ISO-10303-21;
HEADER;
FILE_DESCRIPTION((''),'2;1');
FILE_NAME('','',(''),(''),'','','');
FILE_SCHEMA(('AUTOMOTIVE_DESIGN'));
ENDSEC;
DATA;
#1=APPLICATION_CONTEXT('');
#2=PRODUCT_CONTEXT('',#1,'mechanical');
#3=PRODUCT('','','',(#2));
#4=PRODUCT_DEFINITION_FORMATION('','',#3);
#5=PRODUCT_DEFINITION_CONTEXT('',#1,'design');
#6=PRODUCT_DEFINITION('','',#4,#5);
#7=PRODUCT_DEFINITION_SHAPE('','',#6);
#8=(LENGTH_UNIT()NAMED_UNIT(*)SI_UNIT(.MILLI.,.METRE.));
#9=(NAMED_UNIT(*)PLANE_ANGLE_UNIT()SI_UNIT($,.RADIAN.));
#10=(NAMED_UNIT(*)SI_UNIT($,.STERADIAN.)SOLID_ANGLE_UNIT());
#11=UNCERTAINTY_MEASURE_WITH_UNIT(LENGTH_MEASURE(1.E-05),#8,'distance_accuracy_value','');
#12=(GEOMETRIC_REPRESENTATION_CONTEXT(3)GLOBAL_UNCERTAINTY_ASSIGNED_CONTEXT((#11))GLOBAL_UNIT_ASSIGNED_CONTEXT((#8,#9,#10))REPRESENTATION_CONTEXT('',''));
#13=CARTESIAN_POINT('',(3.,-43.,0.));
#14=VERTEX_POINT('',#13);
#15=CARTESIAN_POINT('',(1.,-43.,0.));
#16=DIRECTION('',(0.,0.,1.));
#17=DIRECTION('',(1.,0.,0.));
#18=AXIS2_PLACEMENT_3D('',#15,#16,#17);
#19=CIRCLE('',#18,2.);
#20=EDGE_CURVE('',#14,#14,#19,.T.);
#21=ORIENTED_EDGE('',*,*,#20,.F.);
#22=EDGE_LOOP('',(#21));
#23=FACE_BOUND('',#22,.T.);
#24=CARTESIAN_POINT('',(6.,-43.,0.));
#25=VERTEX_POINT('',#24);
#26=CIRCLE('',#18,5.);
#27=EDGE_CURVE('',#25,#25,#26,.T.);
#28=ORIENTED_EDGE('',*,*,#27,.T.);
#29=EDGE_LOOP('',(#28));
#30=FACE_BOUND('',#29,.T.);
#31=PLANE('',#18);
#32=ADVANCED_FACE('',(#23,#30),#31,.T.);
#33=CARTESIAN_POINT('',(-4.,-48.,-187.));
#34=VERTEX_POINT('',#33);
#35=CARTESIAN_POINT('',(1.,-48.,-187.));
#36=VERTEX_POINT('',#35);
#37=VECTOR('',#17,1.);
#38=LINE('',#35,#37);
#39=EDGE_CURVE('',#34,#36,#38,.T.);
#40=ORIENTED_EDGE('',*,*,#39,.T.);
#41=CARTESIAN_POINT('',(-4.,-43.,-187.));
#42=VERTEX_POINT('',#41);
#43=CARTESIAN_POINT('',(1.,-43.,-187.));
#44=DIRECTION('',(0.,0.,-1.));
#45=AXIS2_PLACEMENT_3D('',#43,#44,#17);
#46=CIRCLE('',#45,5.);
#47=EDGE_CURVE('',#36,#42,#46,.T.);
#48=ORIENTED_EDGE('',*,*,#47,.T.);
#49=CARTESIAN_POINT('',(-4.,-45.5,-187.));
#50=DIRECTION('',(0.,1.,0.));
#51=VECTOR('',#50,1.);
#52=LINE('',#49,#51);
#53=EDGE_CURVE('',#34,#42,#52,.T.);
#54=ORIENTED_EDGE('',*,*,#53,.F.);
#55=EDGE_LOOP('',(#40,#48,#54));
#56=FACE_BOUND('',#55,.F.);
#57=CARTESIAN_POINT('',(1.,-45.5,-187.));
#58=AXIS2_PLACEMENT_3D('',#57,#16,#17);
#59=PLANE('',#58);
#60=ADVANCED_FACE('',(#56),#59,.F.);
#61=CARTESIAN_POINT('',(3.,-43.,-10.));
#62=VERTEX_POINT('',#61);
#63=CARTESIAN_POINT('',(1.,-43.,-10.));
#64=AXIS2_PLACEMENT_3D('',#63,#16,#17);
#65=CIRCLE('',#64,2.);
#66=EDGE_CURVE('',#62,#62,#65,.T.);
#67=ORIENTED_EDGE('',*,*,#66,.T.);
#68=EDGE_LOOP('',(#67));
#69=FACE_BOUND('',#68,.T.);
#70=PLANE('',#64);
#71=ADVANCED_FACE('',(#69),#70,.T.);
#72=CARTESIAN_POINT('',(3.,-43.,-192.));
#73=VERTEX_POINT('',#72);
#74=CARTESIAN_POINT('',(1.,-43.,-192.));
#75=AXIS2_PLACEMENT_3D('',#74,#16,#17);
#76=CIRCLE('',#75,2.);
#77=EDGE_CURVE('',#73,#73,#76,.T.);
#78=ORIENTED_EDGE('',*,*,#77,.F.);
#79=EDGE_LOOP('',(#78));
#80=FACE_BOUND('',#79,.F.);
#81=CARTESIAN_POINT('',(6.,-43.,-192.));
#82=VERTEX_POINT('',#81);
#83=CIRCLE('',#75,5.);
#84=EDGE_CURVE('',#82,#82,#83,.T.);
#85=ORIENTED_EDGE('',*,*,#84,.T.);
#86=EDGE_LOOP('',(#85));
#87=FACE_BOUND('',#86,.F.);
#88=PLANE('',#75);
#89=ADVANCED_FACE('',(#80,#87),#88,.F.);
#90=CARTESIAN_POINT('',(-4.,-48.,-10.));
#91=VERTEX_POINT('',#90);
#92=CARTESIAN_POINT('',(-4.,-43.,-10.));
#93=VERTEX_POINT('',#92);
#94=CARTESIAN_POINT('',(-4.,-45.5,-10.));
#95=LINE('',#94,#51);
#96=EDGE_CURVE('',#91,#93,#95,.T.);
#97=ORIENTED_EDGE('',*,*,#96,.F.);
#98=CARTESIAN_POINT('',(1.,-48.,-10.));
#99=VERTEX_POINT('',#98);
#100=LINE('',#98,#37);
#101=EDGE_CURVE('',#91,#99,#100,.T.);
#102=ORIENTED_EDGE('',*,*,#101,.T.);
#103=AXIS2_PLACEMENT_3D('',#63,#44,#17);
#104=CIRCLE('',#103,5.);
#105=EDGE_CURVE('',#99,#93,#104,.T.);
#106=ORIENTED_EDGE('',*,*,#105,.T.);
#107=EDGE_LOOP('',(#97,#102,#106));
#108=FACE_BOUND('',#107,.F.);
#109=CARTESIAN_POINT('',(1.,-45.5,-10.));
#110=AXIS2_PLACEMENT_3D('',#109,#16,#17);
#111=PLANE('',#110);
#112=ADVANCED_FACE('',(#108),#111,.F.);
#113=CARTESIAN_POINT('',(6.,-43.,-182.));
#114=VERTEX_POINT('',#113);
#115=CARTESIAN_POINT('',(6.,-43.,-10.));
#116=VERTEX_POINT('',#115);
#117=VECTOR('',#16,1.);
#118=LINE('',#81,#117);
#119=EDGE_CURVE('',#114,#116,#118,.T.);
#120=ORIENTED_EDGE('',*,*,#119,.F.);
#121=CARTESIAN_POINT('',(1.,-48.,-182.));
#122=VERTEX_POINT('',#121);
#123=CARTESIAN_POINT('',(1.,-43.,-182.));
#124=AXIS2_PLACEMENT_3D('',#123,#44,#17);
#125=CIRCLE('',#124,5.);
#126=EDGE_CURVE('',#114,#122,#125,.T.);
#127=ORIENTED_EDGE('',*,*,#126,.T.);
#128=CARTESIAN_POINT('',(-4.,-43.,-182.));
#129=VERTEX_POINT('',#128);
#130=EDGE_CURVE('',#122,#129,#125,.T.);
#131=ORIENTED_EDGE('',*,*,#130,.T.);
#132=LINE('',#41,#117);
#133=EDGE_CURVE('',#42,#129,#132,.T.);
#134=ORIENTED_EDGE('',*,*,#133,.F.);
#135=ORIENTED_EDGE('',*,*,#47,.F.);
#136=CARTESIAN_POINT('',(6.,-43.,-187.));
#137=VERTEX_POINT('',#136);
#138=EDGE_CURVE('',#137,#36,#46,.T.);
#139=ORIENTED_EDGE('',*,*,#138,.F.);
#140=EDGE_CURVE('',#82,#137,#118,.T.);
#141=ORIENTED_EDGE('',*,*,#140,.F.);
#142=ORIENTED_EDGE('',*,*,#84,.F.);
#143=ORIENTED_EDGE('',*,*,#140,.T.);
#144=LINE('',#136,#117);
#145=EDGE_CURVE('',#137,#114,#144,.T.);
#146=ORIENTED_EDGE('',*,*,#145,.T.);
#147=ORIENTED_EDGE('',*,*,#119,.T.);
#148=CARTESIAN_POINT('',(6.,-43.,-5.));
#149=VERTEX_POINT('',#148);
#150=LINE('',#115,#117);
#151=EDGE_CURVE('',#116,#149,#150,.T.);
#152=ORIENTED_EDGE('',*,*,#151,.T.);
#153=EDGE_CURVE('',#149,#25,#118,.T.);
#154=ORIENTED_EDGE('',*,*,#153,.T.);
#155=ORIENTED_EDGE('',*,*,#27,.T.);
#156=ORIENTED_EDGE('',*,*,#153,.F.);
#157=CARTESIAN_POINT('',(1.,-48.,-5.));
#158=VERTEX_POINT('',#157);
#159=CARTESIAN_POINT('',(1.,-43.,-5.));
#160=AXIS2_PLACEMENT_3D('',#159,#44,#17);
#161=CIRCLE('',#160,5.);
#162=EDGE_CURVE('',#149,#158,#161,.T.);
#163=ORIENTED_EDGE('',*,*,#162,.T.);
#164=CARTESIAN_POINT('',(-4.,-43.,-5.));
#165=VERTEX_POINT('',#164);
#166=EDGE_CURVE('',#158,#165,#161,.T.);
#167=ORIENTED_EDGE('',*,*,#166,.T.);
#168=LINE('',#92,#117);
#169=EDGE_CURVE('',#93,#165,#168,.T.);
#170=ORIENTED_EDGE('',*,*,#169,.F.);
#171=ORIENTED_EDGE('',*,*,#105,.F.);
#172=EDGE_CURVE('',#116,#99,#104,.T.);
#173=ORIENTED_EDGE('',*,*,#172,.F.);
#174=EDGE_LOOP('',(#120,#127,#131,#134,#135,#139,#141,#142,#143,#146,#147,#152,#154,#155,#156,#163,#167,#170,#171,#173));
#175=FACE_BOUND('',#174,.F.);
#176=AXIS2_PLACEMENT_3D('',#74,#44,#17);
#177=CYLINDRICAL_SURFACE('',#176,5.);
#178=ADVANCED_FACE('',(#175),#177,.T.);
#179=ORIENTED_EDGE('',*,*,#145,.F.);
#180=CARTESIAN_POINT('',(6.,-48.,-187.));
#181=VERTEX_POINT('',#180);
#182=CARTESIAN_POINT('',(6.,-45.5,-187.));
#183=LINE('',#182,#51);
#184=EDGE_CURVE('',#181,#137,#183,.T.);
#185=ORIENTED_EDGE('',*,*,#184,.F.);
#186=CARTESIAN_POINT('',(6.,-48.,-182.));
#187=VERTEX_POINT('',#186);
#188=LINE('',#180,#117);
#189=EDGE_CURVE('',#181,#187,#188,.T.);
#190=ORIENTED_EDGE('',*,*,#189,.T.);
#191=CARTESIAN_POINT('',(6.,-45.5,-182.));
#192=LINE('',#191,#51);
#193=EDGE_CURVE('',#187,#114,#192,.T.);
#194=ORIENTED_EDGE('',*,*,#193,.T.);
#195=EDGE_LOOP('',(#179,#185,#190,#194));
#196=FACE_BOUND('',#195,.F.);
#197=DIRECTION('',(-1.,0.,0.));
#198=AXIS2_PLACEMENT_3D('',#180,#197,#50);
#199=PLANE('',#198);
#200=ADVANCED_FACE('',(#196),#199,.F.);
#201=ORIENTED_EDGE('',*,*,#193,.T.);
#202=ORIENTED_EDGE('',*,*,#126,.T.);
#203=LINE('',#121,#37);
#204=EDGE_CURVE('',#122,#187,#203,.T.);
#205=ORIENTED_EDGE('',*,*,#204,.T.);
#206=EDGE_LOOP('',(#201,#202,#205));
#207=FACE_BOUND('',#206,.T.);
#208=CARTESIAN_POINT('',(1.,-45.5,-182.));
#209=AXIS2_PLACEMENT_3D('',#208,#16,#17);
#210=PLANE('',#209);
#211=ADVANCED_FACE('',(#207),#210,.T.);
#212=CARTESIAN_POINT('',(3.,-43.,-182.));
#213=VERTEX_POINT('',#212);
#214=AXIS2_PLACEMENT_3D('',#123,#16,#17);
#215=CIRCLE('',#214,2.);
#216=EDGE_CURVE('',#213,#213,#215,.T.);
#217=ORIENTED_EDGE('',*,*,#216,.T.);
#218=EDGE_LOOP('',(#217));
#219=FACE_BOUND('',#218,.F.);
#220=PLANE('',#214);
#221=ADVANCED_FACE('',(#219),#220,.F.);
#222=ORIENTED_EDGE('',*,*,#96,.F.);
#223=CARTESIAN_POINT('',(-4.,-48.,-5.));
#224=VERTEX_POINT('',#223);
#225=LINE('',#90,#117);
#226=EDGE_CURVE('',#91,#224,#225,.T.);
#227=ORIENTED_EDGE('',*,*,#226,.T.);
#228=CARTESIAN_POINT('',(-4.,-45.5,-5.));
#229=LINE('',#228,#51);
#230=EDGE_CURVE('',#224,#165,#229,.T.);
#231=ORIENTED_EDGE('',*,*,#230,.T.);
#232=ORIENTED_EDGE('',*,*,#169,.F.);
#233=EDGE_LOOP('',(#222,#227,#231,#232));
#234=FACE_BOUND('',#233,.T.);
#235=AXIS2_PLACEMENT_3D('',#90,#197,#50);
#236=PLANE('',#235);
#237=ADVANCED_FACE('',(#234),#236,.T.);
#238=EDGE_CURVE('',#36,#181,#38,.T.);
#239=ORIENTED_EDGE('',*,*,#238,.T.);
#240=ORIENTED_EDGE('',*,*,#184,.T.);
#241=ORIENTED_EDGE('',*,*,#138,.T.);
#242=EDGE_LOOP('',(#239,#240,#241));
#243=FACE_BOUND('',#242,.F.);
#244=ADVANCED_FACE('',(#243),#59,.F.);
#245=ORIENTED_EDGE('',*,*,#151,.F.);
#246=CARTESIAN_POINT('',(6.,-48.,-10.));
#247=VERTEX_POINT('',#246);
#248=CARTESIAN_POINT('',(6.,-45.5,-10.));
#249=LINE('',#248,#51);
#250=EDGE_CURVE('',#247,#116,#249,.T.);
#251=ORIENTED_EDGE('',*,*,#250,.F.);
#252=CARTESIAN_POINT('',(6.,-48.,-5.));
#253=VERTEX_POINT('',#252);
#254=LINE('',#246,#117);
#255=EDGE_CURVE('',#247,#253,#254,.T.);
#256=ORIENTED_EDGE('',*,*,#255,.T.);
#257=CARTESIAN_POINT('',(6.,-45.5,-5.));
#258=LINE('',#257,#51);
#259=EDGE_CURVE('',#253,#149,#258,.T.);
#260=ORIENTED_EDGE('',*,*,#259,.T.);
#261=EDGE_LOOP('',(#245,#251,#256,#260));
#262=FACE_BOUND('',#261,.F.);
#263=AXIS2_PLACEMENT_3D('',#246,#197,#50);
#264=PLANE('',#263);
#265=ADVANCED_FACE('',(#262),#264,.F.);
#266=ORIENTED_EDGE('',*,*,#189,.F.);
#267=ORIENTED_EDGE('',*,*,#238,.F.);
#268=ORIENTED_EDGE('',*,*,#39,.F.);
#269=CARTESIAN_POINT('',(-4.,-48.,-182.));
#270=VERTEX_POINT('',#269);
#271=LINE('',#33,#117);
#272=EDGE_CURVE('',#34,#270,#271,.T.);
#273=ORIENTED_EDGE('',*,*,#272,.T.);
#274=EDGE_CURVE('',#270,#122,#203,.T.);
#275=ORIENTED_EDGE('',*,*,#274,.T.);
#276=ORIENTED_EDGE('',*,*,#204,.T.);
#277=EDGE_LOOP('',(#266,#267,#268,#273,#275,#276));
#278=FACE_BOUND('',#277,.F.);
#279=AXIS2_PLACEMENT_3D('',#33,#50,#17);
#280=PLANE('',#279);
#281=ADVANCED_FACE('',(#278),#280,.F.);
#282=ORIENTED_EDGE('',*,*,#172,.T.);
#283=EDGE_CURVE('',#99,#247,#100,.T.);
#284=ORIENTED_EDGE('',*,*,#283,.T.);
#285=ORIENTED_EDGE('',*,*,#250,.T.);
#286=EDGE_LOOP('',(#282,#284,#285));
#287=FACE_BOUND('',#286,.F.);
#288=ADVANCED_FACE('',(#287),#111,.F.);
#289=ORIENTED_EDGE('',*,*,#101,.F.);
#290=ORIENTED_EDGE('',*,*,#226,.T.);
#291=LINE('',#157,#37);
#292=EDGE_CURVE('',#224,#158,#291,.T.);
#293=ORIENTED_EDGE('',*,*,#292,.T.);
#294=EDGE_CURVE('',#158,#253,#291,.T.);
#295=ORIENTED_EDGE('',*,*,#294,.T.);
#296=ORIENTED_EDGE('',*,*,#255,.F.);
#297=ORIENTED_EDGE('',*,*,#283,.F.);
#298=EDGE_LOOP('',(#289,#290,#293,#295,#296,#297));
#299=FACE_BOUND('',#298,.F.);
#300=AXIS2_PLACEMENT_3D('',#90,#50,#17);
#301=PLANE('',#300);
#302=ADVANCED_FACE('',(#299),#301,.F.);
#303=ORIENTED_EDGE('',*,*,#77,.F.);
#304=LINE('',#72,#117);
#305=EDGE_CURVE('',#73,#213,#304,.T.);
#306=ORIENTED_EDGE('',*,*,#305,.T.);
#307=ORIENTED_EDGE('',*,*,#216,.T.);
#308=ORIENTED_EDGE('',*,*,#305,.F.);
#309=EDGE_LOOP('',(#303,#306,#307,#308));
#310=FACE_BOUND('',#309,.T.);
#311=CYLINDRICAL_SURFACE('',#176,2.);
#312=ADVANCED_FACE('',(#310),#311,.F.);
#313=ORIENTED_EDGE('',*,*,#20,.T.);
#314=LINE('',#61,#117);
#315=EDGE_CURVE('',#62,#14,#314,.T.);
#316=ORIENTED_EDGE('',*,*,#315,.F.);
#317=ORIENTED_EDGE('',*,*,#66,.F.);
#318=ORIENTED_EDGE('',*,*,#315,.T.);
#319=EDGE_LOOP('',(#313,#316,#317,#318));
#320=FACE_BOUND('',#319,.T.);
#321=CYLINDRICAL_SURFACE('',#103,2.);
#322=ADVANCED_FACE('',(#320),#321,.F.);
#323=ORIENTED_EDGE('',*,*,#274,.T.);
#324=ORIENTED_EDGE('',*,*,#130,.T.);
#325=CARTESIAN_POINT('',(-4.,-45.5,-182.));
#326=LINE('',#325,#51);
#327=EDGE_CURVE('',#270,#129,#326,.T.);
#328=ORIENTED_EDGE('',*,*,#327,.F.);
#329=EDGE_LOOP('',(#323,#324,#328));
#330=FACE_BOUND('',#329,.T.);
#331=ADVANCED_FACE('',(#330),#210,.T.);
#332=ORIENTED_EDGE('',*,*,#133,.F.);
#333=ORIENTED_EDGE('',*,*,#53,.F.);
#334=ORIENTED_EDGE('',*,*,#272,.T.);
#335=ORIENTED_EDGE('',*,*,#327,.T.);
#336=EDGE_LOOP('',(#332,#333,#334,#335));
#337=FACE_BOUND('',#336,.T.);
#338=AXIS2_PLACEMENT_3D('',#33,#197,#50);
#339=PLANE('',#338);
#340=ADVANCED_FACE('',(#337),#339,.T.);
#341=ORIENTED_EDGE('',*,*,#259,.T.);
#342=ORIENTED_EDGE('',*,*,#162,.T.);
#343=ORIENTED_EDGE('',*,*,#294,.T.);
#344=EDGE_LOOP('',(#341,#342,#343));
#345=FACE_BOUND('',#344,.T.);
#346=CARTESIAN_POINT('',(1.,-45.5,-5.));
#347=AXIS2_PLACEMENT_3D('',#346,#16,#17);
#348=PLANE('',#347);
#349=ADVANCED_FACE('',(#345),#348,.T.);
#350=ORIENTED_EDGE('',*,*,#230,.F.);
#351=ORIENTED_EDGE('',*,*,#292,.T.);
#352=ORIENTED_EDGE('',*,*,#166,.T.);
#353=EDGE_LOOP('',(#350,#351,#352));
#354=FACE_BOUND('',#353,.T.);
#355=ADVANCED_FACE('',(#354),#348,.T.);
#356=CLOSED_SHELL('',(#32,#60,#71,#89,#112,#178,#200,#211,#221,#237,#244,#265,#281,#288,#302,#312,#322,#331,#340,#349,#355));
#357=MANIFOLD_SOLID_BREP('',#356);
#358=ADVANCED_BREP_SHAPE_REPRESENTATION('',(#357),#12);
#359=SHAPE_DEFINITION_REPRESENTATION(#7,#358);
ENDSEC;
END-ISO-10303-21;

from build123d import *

# Parameters (mm, degrees)
CYLINDER006_R     = 5
CYLINDER006_DEPTH = 192
BOX003_W          = 10
BOX003_H          = 5
BOX003_DEPTH      = 5
BOX004_W          = 10
BOX004_H          = 5
BOX004_DEPTH      = 5
CYLINDER007_R     = 2
CYLINDER007_DEPTH = 10
CYLINDER008_R     = 2
CYLINDER008_DEPTH = 10


with BuildPart() as part:
    # Cylinder006 → Cylinder006 (join)
    with BuildSketch(Plane.XY):
        Circle(CYLINDER006_R)
    extrude(amount=CYLINDER006_DEPTH)

    # Box003 → Box003 (join)
    with BuildSketch(Plane(origin=(-5, -5, 182), x_dir=(1, 0, 0), z_dir=(0, 0, 1))):
        with Locations((5, 2.5)):
            Rectangle(BOX003_W, BOX003_H)
    extrude(amount=BOX003_DEPTH)

    # Box004 → Box004 (join)
    with BuildSketch(Plane(origin=(-5, -5, 5), x_dir=(1, 0, 0), z_dir=(0, 0, 1))):
        with Locations((5, 2.5)):
            Rectangle(BOX004_W, BOX004_H)
    extrude(amount=BOX004_DEPTH)

    # Cylinder007 → Cylinder007 (cut)
    with BuildSketch(Plane.XY):
        Circle(CYLINDER007_R)
    extrude(amount=CYLINDER007_DEPTH, mode=Mode.SUBTRACT)

    # Cylinder008 → Cylinder008 (cut)
    with BuildSketch(Plane.XY.offset(182)):
        Circle(CYLINDER008_R)
    extrude(amount=CYLINDER008_DEPTH, mode=Mode.SUBTRACT)


with BuildPart() as part_1:
    # Body004 placement: moved
    add(part.part.moved(Location((1, -43, -192))))


solid = part_1.part
